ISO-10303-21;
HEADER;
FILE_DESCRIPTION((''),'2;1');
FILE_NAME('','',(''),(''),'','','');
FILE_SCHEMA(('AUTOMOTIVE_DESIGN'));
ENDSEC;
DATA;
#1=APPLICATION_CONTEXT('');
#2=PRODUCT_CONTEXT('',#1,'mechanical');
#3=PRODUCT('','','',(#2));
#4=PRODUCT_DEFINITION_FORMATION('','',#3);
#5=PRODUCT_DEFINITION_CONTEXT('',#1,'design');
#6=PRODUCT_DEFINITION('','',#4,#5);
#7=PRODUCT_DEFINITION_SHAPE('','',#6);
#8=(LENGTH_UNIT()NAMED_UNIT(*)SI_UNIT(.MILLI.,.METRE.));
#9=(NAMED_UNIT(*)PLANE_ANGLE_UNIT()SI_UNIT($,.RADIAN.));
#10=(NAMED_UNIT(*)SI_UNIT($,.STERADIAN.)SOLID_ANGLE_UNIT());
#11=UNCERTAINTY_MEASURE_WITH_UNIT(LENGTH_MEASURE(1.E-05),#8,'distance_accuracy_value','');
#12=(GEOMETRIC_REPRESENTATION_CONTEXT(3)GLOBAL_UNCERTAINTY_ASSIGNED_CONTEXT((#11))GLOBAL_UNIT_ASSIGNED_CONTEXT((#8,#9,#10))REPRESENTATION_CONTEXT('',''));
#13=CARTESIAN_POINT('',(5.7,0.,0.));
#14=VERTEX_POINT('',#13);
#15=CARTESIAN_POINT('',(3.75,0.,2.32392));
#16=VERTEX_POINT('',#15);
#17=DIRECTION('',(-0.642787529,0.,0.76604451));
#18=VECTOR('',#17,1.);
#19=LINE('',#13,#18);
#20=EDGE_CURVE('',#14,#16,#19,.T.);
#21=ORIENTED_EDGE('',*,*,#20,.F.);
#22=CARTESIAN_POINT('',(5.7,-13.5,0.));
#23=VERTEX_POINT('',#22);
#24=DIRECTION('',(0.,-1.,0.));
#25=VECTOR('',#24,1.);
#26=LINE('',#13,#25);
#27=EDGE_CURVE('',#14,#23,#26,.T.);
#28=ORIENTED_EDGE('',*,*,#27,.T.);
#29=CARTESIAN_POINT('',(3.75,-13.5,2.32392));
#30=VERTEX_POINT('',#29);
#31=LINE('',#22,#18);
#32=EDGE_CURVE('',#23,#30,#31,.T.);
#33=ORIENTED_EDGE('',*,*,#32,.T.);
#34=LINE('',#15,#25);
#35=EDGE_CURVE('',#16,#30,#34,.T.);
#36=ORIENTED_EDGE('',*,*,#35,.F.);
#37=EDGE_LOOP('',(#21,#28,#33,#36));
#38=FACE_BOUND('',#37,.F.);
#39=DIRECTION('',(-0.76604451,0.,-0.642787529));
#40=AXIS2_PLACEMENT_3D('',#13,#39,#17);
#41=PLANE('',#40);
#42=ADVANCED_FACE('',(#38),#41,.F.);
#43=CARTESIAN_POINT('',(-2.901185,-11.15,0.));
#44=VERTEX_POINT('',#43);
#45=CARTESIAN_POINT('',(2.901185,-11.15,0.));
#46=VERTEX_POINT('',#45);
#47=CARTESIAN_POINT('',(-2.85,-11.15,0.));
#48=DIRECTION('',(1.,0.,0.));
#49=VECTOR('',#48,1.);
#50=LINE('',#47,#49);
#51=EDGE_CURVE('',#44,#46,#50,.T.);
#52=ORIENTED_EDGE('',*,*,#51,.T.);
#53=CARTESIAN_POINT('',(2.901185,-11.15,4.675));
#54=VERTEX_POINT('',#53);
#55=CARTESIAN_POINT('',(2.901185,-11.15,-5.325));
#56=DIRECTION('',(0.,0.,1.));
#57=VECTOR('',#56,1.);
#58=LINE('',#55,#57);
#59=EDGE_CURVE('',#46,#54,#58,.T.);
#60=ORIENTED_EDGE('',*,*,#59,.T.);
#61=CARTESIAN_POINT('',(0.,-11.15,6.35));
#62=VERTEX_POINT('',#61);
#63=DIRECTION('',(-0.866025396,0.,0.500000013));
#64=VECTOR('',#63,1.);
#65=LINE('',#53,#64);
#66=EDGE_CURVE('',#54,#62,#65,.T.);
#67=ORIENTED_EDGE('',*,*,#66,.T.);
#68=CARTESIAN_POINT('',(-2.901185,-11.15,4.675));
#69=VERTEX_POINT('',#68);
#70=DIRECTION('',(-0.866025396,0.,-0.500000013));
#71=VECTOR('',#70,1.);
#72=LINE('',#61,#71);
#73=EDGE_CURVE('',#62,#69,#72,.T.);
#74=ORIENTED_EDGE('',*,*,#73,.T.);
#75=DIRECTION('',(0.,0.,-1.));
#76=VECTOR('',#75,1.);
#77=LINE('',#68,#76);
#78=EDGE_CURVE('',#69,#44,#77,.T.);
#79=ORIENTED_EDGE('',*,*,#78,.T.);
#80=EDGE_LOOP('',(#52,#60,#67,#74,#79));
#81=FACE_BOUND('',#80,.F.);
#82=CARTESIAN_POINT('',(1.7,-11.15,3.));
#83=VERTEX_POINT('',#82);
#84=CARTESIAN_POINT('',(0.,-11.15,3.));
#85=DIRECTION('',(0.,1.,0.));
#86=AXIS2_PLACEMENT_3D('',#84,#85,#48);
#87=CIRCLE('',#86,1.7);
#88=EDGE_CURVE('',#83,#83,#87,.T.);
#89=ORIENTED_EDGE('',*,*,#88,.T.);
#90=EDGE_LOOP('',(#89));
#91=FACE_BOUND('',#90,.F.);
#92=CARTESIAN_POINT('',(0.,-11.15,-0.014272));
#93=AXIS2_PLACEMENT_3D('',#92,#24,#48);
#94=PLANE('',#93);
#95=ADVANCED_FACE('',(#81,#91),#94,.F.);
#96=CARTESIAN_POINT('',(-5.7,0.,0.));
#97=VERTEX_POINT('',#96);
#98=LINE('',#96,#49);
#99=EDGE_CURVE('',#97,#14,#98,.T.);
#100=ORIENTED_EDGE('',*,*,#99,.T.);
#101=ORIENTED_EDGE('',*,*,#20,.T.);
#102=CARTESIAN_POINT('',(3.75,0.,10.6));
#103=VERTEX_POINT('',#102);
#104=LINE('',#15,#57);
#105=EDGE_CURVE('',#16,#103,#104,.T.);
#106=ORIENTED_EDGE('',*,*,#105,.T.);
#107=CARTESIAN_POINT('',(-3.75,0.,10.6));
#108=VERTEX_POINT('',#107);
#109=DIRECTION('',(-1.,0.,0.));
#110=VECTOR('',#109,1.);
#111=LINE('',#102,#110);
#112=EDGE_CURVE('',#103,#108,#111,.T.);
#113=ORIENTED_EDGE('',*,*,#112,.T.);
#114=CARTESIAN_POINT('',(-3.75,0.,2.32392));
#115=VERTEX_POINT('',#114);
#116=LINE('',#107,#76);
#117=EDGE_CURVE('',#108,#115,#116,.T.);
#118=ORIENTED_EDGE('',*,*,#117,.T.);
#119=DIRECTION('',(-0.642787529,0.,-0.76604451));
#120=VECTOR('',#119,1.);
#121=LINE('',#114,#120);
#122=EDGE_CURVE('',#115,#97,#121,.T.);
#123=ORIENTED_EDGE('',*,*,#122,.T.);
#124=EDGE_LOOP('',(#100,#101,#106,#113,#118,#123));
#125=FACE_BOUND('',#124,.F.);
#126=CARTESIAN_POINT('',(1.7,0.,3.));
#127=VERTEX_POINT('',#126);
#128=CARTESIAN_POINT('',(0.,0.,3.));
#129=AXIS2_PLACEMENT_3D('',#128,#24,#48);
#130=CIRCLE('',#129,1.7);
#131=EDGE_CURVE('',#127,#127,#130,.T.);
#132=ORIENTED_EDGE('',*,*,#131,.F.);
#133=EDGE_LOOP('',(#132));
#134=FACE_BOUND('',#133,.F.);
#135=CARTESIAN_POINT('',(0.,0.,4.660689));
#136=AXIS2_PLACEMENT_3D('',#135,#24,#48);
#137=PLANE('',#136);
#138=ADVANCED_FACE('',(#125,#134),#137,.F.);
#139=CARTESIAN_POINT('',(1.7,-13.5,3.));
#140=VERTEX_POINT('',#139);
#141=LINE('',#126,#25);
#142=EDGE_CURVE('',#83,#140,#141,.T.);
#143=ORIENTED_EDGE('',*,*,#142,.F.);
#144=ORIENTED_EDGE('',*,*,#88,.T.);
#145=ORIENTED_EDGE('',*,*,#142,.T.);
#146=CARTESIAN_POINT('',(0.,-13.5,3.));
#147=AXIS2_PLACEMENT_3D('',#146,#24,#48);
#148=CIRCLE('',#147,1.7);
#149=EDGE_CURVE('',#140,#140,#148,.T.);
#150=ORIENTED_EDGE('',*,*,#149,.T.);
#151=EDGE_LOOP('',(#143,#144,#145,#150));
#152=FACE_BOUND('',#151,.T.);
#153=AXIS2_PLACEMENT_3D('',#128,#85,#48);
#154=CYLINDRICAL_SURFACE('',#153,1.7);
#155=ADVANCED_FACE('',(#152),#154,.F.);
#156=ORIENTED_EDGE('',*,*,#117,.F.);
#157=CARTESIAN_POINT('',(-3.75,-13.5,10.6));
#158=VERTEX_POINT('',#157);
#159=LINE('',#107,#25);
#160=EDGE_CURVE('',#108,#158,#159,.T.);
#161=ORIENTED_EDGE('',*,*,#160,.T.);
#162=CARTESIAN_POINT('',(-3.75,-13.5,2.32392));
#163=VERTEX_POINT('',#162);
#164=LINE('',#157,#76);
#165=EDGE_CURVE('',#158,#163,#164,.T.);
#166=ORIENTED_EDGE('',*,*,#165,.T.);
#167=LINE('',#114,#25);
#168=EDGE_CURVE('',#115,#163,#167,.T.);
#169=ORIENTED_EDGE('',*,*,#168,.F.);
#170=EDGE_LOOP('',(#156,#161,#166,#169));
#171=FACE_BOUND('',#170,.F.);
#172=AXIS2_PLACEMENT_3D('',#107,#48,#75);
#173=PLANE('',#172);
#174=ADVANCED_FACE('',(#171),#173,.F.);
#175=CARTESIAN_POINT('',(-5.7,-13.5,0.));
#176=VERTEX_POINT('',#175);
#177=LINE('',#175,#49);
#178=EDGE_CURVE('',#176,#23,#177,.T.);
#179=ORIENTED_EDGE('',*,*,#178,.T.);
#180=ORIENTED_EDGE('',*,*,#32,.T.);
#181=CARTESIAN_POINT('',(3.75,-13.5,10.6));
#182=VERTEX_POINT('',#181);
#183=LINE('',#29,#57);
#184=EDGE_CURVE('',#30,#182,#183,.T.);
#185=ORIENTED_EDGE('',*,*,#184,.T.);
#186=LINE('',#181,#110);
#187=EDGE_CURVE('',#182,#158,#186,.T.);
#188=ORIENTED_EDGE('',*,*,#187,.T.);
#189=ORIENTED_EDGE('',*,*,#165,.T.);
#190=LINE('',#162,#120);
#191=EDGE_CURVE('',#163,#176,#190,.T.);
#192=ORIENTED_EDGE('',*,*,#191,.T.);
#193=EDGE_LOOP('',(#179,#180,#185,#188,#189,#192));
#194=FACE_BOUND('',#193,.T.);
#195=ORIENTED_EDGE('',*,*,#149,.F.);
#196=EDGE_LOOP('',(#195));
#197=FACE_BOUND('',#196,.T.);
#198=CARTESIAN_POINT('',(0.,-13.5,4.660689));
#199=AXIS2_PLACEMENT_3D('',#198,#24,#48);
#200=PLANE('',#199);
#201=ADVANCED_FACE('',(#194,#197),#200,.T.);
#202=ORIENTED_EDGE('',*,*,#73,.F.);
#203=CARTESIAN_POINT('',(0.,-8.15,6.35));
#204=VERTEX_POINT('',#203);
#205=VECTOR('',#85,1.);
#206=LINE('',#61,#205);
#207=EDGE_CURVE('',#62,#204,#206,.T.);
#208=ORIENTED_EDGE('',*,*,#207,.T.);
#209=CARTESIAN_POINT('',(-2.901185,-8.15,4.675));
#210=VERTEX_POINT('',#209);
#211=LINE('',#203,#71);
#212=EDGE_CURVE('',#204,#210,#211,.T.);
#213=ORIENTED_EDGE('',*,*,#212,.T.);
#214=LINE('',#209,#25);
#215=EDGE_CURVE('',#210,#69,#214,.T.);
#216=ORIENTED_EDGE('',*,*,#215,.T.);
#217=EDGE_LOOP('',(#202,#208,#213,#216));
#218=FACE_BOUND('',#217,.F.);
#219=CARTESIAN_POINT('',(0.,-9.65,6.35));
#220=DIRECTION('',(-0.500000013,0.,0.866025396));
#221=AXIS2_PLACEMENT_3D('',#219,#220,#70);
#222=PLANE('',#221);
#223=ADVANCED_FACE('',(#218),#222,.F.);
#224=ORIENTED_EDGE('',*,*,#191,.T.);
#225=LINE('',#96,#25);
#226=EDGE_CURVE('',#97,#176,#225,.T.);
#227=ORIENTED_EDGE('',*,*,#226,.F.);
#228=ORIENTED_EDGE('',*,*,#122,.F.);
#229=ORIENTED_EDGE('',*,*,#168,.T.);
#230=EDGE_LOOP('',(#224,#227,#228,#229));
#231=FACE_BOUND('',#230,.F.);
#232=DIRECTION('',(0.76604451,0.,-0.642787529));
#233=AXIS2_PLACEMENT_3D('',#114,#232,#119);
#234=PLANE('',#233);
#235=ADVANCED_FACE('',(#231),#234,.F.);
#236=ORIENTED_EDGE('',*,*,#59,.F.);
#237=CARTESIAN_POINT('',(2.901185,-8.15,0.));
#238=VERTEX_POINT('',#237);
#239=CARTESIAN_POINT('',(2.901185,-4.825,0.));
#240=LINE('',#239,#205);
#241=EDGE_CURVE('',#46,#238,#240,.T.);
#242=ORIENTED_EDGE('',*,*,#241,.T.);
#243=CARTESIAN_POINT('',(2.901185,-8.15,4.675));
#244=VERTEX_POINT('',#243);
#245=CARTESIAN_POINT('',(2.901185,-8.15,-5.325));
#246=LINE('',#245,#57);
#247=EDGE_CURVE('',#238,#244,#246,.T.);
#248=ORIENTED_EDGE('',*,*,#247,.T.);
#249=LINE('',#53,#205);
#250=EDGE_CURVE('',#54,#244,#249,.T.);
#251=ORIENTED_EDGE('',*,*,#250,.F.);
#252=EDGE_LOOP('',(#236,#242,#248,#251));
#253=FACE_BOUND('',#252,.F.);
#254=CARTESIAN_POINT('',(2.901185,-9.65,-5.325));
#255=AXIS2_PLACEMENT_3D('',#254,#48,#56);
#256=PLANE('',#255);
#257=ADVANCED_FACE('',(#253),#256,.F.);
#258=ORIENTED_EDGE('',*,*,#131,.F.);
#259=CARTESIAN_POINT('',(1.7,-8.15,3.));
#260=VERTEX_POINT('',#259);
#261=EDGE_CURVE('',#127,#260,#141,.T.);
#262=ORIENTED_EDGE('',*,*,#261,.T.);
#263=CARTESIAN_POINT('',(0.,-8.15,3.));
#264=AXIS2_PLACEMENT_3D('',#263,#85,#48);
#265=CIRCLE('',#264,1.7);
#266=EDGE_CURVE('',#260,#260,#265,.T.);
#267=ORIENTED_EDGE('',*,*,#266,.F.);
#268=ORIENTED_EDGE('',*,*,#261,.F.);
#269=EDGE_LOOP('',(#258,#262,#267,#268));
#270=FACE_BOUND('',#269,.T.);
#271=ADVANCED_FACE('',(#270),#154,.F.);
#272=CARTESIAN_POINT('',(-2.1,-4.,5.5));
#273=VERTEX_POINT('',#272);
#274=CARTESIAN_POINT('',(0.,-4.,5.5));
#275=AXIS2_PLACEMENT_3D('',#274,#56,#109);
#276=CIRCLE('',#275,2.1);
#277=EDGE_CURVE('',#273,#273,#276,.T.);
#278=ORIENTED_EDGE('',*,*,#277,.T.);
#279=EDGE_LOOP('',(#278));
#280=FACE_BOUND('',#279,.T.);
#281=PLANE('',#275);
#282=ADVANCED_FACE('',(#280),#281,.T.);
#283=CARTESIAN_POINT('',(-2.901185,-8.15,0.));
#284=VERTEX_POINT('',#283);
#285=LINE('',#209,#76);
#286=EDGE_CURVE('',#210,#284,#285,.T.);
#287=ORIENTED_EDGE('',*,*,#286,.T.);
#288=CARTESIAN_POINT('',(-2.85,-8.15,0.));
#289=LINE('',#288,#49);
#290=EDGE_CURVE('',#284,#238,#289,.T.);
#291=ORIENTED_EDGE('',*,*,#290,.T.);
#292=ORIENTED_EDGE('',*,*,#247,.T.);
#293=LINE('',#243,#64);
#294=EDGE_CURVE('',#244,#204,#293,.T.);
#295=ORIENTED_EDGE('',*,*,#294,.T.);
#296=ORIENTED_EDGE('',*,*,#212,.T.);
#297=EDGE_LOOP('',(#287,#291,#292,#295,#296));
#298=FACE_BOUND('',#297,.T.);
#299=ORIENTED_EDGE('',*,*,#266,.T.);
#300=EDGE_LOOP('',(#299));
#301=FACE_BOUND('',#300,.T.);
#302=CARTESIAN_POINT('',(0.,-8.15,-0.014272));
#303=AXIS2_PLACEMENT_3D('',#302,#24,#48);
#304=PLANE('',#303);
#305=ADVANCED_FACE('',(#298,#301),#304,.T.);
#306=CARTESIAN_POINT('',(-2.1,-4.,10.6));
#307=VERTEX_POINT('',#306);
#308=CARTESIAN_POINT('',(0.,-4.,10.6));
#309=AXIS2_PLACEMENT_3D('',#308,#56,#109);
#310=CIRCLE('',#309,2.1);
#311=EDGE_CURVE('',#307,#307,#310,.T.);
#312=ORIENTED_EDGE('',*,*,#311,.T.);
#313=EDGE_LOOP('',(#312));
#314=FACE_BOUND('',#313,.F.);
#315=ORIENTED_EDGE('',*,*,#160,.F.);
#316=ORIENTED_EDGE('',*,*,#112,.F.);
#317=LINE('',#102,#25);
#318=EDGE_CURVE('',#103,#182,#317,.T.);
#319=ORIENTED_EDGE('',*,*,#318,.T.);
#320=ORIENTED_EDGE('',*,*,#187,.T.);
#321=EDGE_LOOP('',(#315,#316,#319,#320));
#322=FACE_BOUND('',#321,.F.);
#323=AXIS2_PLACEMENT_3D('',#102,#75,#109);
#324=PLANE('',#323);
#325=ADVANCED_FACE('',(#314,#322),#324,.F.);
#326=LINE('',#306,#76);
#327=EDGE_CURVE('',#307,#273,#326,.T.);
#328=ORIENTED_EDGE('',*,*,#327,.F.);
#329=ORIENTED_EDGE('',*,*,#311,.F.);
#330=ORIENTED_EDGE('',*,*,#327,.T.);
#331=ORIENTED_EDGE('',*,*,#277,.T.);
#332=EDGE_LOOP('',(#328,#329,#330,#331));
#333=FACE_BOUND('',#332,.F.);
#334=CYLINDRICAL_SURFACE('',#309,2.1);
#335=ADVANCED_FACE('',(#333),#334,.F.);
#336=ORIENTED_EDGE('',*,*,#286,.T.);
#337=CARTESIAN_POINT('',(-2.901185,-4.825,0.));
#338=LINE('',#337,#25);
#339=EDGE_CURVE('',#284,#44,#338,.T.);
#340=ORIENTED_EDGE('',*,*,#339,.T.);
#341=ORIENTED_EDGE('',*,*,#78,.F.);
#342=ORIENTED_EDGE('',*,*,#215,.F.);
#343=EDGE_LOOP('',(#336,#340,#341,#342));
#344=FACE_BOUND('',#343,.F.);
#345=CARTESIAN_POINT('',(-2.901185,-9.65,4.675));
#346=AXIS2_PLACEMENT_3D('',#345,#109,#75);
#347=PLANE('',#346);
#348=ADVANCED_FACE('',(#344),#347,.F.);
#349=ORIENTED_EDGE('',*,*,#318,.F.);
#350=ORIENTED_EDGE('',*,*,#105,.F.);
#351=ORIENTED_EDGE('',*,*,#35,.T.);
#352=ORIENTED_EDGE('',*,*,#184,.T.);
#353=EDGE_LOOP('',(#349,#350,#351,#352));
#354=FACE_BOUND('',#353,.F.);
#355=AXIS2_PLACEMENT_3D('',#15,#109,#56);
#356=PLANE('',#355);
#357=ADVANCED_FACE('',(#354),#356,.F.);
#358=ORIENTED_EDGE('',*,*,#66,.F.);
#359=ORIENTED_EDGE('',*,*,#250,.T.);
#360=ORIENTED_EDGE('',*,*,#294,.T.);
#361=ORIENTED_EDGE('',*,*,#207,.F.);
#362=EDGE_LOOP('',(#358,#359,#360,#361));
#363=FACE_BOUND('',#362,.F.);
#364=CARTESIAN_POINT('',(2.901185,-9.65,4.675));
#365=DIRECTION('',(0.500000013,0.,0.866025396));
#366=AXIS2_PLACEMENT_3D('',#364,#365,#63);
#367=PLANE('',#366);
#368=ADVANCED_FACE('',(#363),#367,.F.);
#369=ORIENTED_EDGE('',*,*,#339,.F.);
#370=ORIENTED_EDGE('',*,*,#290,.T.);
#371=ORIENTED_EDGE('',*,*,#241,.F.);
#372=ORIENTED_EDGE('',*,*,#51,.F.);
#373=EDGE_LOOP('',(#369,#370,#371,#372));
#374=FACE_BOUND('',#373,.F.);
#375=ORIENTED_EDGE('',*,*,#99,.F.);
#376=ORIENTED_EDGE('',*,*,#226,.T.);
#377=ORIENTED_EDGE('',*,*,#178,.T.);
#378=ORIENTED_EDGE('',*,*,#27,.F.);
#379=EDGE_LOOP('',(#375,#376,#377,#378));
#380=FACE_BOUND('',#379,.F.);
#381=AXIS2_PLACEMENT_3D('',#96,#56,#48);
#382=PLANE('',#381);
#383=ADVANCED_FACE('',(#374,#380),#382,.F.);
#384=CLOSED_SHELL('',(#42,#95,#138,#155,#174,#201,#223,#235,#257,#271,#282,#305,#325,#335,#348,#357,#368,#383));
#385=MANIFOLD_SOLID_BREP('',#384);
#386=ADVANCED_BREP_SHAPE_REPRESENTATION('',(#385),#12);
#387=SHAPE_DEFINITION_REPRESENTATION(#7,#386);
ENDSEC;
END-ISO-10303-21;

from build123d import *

# Parameters (mm, degrees)
SKETCH_R        = 1.7
PAD_DEPTH       = 13.5
SKETCH001_R     = 2.1
POCKET_DEPTH    = 5.1
POCKET001_DEPTH = 1.5


with BuildPart() as part:
    # Sketch → Pad (new body)
    with BuildSketch(Plane.XZ):
        Polygon((-5.7, 0), (5.7, 0), (3.75, 2.32392), (3.75, 10.6), (-3.75, 10.6), (-3.75, 2.32392), align=None)
        with Locations((0, 3)):
            Circle(SKETCH_R, mode=Mode.SUBTRACT)
    extrude(amount=PAD_DEPTH)

    # Sketch001 (on Face4 of Pad) → Pocket (cut)
    with BuildSketch(Plane(origin=(0, 0, 10.6), x_dir=(-1, 0, 0), z_dir=(0, 0, 1))):
        with Locations((0, 4)):
            Circle(SKETCH001_R)
    extrude(amount=-POCKET_DEPTH, mode=Mode.SUBTRACT)

    # Sketch002 (on DatumPlane) → Pocket001 (cut, symmetric)
    with BuildSketch(Plane.XZ.offset(9.65)):
        Polygon((0, 6.35), (-2.901185, 4.675), (-2.901185, -5.325), (2.901185, -5.325), (2.901185, 4.675), align=None)
    extrude(amount=POCKET001_DEPTH, both=True, mode=Mode.SUBTRACT)


solid = part.part
